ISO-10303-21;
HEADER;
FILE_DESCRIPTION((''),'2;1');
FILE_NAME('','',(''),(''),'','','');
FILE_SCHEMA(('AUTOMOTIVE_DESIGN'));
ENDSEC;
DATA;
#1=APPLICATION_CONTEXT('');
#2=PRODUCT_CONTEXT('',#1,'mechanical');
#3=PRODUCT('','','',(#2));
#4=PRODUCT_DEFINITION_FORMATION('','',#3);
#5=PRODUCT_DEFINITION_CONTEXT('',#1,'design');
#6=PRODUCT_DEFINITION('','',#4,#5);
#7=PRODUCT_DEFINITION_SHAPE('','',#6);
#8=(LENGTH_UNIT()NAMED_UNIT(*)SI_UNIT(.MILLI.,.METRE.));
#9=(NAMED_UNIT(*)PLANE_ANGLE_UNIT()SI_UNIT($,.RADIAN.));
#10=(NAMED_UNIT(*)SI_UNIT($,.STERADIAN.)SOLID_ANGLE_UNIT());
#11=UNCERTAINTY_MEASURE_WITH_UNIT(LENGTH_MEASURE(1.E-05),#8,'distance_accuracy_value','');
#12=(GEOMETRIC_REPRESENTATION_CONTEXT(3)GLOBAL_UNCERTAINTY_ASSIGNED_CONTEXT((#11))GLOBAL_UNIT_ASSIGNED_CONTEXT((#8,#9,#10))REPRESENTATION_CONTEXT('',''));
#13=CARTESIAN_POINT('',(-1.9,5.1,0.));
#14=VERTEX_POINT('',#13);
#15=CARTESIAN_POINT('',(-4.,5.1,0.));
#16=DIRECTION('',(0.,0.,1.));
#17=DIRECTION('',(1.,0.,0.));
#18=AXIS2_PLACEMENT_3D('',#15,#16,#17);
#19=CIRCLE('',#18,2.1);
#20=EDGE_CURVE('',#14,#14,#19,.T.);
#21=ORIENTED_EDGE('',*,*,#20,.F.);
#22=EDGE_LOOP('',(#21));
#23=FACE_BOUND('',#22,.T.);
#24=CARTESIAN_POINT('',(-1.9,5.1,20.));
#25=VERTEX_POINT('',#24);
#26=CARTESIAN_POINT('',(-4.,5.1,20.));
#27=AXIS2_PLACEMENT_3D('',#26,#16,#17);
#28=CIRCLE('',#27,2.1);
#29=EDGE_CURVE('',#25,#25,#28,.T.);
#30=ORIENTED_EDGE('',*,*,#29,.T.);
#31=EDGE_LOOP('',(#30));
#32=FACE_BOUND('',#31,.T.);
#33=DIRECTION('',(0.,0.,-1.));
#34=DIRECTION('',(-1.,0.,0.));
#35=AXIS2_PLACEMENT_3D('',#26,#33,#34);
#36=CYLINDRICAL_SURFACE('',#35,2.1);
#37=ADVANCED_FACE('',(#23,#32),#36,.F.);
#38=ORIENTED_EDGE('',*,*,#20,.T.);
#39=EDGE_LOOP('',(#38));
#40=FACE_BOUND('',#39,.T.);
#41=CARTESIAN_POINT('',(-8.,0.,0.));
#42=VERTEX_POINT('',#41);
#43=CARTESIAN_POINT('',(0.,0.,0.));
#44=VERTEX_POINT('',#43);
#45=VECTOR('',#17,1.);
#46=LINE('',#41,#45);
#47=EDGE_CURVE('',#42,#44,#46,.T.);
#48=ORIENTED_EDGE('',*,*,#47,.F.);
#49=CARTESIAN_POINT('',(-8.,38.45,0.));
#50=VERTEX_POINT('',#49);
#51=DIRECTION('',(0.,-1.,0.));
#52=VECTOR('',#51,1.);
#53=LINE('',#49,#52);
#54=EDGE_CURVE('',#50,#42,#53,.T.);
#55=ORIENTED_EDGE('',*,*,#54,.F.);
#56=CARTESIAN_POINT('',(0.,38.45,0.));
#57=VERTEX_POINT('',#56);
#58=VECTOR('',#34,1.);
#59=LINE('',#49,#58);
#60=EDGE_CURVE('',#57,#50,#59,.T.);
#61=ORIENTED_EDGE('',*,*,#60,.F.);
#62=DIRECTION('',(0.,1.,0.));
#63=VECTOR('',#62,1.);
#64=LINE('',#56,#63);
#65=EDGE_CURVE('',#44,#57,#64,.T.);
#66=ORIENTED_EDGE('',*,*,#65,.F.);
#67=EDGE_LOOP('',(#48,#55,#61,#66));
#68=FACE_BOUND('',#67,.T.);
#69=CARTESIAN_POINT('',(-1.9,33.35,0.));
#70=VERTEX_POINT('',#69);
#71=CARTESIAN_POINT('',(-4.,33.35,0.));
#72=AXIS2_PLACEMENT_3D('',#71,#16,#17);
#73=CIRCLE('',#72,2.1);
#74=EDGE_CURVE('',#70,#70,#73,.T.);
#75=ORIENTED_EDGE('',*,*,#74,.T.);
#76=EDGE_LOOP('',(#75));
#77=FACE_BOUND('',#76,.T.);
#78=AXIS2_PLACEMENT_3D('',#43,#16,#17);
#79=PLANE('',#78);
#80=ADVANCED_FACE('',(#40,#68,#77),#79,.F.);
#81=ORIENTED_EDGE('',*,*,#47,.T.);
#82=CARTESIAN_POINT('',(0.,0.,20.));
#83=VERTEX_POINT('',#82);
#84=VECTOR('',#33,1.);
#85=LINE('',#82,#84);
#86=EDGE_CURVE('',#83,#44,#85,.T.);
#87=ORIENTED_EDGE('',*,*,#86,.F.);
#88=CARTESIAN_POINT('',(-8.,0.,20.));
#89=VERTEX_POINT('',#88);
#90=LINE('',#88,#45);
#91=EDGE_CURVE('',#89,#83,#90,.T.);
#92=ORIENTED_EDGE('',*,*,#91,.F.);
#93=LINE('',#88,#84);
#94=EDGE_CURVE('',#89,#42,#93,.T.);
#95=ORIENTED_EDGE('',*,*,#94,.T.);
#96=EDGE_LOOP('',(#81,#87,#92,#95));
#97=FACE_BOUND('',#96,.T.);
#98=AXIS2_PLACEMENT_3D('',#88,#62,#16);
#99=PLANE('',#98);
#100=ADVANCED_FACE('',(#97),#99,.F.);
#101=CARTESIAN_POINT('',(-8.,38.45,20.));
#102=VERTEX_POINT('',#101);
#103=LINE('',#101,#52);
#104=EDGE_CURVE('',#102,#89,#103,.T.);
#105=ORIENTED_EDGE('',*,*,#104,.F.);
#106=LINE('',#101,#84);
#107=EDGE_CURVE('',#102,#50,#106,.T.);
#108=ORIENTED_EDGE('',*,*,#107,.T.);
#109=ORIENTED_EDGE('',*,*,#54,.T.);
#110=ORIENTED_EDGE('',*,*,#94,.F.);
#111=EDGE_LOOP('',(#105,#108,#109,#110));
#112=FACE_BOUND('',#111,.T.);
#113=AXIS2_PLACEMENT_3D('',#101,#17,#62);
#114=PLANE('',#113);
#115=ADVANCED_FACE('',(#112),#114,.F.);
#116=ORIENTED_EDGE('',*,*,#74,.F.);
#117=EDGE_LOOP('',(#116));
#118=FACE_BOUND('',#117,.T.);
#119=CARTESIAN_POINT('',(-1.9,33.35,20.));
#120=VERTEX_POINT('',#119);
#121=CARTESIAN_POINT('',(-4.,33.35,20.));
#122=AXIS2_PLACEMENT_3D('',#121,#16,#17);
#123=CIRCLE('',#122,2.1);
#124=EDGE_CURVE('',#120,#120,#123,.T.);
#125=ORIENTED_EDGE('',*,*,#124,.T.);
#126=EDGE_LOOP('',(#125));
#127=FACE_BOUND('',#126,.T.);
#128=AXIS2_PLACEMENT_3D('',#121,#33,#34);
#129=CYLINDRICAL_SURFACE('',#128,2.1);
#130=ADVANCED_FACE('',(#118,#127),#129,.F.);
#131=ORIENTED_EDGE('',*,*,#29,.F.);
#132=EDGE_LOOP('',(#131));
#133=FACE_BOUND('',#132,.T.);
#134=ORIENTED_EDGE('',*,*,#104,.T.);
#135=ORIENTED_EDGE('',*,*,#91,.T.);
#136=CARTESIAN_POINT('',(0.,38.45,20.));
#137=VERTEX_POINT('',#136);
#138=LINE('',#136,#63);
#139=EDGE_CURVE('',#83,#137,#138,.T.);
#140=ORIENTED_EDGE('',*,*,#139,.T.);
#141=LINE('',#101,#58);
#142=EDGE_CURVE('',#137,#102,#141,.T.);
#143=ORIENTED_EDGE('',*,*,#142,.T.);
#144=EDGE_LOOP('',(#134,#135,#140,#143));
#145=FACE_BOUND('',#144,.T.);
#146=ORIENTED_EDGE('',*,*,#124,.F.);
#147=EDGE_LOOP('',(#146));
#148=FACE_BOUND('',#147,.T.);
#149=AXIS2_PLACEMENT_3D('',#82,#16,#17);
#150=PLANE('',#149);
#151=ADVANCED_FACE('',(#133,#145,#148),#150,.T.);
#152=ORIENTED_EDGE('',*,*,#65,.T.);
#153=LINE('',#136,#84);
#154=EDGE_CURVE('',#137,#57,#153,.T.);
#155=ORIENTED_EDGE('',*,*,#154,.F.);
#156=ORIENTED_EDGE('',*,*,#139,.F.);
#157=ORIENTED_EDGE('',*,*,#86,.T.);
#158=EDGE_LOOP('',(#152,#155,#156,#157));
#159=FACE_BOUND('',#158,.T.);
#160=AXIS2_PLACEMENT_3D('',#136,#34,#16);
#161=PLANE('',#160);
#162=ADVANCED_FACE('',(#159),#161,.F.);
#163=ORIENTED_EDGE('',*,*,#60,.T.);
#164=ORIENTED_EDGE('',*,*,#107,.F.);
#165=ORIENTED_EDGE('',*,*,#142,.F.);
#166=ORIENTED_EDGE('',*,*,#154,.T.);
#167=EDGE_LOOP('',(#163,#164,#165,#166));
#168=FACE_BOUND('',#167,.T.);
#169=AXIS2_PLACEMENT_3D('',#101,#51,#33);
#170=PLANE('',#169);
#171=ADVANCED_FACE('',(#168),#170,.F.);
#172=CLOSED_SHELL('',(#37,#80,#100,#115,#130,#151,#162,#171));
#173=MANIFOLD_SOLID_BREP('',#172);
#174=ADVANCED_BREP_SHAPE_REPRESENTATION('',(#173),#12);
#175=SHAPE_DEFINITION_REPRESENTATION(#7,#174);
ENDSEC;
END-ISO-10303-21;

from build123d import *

# Parameters (mm, degrees)
ESQUISSE1_W        = 8
ESQUISSE1_H        = 38.45
ESQUISSE1_R        = 2.1
BOSS_EXTRU_1_DEPTH = 20


with BuildPart() as part:
    # Esquisse1 → Boss.-Extru.1 (new body)
    with BuildSketch(Plane.XY):
        with Locations((-4, 19.225)):
            Rectangle(ESQUISSE1_W, ESQUISSE1_H)
        with Locations((-4, 33.35)):
            Circle(ESQUISSE1_R, mode=Mode.SUBTRACT)
        with Locations((-4, 5.1)):
            Circle(ESQUISSE1_R, mode=Mode.SUBTRACT)
    extrude(amount=BOSS_EXTRU_1_DEPTH)


solid = part.part
